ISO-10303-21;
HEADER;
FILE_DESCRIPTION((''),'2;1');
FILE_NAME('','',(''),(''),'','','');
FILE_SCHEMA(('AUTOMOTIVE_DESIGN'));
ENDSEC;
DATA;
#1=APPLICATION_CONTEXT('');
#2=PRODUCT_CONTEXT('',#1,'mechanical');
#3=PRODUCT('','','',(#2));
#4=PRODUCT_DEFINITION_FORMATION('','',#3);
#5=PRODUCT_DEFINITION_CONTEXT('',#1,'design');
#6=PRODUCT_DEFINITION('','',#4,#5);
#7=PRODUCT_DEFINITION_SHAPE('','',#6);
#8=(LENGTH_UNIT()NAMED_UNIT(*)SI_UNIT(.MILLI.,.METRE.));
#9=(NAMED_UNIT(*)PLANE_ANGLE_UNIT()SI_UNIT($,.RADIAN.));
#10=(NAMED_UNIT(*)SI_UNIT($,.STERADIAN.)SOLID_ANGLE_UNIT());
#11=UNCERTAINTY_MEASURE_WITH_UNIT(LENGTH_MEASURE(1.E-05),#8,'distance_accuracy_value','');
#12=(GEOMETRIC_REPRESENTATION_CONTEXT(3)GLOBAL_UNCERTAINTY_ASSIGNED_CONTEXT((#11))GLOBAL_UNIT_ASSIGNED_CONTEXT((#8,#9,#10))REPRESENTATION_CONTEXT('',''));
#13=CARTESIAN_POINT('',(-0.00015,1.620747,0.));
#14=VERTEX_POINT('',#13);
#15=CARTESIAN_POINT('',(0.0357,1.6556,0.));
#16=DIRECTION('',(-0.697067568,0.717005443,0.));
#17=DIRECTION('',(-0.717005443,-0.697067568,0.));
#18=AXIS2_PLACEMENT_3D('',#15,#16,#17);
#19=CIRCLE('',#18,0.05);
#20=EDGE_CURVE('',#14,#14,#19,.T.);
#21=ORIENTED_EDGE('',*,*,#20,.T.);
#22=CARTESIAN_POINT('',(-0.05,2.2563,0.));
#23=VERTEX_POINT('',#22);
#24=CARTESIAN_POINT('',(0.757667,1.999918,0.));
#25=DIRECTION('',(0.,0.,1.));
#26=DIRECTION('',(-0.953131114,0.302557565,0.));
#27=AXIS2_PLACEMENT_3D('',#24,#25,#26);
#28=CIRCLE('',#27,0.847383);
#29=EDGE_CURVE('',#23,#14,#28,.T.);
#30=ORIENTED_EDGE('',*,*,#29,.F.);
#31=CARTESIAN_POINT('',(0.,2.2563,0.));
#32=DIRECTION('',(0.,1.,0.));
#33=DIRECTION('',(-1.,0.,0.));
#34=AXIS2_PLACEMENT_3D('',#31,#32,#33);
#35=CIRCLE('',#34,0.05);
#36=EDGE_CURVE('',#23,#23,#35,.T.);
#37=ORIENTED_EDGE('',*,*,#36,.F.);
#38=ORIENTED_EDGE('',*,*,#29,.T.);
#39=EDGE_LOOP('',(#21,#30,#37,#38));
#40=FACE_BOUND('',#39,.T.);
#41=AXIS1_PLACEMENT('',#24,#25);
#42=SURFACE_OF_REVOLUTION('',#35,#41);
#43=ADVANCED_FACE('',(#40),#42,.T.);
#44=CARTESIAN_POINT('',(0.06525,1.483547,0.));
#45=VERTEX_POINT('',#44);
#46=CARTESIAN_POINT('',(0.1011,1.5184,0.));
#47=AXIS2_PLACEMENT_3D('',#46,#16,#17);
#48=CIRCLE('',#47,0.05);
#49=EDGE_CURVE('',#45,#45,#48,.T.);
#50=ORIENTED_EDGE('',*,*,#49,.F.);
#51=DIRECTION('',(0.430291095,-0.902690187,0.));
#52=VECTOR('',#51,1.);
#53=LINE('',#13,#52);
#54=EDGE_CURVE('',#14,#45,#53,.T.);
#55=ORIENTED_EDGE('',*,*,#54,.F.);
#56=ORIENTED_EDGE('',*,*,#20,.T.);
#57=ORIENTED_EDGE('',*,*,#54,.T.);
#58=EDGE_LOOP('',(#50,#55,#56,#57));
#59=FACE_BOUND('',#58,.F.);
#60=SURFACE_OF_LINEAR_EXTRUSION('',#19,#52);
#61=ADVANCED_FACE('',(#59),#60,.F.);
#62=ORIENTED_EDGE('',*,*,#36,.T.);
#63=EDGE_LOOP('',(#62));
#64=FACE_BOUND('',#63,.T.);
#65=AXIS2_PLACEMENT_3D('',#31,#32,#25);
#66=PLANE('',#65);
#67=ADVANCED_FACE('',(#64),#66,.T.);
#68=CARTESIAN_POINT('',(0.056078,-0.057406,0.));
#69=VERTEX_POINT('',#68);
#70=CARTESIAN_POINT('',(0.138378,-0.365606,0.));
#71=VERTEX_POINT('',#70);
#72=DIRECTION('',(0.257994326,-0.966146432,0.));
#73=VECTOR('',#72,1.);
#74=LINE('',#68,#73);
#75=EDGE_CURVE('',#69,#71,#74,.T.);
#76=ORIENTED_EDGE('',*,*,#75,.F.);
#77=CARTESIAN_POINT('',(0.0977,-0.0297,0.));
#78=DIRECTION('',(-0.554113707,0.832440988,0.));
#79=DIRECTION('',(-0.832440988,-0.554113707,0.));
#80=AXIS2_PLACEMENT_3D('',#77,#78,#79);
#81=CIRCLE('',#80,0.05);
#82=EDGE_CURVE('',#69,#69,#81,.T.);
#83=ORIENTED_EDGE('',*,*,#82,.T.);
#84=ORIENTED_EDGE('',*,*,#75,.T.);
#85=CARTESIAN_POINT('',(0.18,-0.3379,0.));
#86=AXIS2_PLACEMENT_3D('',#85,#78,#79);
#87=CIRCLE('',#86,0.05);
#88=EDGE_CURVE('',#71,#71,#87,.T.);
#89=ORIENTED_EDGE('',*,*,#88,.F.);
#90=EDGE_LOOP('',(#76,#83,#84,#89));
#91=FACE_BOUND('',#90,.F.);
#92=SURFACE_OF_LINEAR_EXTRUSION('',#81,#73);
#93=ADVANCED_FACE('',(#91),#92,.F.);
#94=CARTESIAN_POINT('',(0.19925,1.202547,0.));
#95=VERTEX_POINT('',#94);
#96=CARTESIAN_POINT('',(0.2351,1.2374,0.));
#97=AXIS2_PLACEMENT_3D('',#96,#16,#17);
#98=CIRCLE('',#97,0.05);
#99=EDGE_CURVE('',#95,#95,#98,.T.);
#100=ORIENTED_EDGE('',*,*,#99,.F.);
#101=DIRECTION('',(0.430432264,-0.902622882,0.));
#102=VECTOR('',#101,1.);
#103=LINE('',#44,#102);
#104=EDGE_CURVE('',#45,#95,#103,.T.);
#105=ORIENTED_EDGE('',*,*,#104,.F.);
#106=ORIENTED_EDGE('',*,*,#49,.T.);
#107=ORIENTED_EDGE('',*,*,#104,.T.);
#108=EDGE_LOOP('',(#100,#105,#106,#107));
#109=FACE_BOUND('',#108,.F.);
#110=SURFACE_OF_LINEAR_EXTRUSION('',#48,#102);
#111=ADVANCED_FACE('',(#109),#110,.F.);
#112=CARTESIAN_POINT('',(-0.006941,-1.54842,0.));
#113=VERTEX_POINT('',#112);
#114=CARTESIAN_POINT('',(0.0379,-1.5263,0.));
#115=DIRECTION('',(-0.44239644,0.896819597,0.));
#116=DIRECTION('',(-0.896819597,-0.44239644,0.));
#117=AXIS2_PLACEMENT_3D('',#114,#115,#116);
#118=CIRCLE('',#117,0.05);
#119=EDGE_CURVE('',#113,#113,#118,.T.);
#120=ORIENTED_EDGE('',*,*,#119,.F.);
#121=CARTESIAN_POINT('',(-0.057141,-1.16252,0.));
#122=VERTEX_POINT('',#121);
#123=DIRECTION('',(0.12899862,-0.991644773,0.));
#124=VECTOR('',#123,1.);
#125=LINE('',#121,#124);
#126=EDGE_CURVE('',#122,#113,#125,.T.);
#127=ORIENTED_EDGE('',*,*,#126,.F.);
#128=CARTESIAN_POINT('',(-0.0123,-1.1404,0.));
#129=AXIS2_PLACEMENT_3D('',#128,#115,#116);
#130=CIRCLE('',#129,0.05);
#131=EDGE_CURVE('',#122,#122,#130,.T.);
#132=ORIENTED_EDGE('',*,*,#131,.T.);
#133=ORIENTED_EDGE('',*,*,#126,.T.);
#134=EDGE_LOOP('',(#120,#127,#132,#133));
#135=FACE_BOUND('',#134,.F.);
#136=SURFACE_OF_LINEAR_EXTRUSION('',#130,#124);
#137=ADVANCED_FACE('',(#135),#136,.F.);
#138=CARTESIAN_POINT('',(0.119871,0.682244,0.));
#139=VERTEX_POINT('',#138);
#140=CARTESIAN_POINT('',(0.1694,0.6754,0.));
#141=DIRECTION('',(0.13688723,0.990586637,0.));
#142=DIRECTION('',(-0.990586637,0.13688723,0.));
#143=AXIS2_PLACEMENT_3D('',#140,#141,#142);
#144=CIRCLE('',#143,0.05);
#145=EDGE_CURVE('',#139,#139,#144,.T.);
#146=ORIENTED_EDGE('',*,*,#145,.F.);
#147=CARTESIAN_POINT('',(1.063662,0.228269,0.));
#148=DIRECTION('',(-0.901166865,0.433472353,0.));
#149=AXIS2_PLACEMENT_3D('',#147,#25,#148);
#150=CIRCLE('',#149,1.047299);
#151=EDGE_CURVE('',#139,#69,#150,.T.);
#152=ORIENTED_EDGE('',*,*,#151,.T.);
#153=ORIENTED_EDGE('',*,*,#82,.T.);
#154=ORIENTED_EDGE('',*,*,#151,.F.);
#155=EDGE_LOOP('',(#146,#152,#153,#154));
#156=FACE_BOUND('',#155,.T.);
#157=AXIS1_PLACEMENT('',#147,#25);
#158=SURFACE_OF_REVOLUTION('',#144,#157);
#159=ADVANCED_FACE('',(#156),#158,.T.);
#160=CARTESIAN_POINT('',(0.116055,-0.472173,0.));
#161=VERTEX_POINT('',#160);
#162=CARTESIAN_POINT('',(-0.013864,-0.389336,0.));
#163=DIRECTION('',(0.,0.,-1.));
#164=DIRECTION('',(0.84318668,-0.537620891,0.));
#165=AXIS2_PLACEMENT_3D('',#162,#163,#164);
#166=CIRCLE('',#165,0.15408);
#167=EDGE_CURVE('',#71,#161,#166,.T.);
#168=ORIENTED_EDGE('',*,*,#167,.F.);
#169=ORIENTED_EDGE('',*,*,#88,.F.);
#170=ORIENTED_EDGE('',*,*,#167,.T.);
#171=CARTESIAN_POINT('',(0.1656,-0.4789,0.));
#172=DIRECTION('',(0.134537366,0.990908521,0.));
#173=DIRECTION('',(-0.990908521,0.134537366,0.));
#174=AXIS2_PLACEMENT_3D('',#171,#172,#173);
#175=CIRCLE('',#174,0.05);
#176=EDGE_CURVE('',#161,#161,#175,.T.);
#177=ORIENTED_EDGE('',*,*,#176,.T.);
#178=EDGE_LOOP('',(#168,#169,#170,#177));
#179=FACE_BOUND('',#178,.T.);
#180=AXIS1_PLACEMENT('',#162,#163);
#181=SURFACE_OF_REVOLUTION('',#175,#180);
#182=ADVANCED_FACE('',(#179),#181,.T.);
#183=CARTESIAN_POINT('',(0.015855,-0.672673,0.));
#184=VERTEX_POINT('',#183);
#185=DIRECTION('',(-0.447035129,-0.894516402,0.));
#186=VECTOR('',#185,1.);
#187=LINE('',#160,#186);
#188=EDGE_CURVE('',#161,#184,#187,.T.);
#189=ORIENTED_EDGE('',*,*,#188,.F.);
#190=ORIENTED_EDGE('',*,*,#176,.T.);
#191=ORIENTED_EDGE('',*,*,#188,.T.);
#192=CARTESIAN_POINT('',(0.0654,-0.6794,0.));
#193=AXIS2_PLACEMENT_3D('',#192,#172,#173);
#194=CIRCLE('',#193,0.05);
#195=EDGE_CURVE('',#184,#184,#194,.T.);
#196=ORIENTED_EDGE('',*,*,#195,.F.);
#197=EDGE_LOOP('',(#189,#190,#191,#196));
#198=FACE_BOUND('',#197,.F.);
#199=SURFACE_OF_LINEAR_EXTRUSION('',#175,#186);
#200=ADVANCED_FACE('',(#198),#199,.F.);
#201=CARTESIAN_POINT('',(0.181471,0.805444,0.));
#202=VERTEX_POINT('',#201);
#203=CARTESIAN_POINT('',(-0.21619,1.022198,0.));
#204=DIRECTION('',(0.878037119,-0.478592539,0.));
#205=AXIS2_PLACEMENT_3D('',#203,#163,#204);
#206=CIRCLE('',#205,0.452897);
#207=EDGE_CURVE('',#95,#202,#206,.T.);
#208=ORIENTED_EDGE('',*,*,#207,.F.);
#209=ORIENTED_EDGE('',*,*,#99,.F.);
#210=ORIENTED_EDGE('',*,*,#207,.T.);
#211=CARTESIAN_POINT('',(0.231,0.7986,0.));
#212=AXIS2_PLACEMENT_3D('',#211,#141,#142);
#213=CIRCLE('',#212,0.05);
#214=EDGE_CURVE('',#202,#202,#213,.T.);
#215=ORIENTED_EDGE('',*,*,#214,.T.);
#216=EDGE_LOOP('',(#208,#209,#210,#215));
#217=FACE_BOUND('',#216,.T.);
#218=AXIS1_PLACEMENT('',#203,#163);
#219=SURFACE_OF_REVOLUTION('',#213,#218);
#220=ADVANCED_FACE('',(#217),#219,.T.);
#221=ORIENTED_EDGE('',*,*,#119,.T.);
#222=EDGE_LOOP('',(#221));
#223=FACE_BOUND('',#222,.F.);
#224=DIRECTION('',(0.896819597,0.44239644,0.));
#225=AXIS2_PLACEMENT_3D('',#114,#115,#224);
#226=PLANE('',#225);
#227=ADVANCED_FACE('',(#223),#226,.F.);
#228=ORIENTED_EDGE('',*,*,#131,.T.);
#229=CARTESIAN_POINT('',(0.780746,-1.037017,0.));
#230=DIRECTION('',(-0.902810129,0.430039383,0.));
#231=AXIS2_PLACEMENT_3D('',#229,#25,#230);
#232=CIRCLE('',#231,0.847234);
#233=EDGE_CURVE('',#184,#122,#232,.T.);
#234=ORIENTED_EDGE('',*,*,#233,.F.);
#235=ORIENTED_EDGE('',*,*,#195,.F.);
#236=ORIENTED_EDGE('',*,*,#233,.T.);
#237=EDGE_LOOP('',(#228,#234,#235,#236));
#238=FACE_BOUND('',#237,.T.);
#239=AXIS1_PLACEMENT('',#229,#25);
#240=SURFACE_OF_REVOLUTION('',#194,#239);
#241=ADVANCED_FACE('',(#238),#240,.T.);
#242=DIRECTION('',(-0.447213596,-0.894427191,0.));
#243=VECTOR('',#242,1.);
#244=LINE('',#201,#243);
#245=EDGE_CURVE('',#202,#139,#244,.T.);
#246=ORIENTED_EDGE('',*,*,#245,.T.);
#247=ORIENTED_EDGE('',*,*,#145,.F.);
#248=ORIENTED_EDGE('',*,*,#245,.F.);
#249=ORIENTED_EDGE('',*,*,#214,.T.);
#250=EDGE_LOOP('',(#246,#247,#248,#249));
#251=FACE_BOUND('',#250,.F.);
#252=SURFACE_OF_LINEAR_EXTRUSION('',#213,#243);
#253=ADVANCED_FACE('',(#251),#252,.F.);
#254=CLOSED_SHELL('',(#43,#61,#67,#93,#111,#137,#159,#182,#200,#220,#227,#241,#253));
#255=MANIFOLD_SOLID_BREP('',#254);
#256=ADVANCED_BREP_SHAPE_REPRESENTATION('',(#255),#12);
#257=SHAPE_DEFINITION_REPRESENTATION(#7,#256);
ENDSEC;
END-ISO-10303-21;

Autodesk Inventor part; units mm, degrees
ref_plane "YZ Plane" through (0, 0, 0) normal (1, 0, 0) x (0, 1, 0)
ref_plane "XY Plane" through (0, 0, 0) normal (0, 0, 1) x (1, 0, 0)
sketch "Skizze1" plane through (0, 0, 0) normal (0, 0, 1) x (1, 0, 0)
  line L0 (0.1011, 1.5184) -> (0.2351, 1.2374)
  line L1 (0.231, 0.7986) -> (0.1694, 0.6754)
  line L2 (0.0977, -0.0297) -> (0.18, -0.3379)
  line L3 (0.1656, -0.4789) -> (0.0654, -0.6794)
  line L4 (-0.0123, -1.1404) -> (0.0379, -1.5263)
  arc A0 (0.231, 0.7986) -> (0.2351, 1.2374) centre (-0.2162, 1.0222) ccw
  arc A1 (0.1694, 0.6754) -> (0.0977, -0.0297) centre (1.0639, 0.2282) ccw
  arc A2 (0.1656, -0.4789) -> (0.18, -0.3379) centre (-0.0133, -0.3895) ccw
  line L5 (-1.5, 2.5) -> (1.5, 2.5) projected
  line L6 (1.5, -2.5) -> (-1.5, -2.5) projected
  line L7 (1.5, 2.5) -> (1.5, -2.5) projected
  line L8 (-1.5, 2.5) -> (1.5, 2.5) projected
  line L9 (1.5, -2.5) -> (-1.5, -2.5) projected
  line L10 (1.5, 2.5) -> (1.5, -2.5) projected
  arc A3 (0.0654, -0.6794) -> (-0.0123, -1.1404) centre (0.781, -1.0371) ccw
  line L11 (0.0357, 1.6556) -> (0.1011, 1.5184)
  arc A4 (0, 2.2563) -> (0.0357, 1.6556) centre (0.7578, 1.9999) ccw
  line L12 (-1.5, -2.5) -> (-1.5, 2.5) projected
  line L13 (-1.5, -2.5) -> (-1.5, 2.5) projected
  point P0 (0, 0)
  dimension "d0" = 0.5
  dimension "d1" = 1
  dimension "d2" = 0.2
  dimension "d3" = 0.8
  dimension "d4" = 0.8
ref_plane "Arbeitsebene1" through (0, 2.2563, 0) normal (0, 1, 0) x (-1, 0, 0)
sketch "Skizze2" plane through (0, 2.2563, 0) normal (0, 1, 0) x (-1, 0, 0)
  circle A0 centre (0, 0) radius 0.05
  point P0 (0, 0)
  dimension "d5" = 0.1
sweep "Sweeping1" add profiles "Skizze2" path "Skizze1" path curves A4 L11 L0 A0 L1 A1 L2 A2 L3 A3 L4
properties part number "spark"
